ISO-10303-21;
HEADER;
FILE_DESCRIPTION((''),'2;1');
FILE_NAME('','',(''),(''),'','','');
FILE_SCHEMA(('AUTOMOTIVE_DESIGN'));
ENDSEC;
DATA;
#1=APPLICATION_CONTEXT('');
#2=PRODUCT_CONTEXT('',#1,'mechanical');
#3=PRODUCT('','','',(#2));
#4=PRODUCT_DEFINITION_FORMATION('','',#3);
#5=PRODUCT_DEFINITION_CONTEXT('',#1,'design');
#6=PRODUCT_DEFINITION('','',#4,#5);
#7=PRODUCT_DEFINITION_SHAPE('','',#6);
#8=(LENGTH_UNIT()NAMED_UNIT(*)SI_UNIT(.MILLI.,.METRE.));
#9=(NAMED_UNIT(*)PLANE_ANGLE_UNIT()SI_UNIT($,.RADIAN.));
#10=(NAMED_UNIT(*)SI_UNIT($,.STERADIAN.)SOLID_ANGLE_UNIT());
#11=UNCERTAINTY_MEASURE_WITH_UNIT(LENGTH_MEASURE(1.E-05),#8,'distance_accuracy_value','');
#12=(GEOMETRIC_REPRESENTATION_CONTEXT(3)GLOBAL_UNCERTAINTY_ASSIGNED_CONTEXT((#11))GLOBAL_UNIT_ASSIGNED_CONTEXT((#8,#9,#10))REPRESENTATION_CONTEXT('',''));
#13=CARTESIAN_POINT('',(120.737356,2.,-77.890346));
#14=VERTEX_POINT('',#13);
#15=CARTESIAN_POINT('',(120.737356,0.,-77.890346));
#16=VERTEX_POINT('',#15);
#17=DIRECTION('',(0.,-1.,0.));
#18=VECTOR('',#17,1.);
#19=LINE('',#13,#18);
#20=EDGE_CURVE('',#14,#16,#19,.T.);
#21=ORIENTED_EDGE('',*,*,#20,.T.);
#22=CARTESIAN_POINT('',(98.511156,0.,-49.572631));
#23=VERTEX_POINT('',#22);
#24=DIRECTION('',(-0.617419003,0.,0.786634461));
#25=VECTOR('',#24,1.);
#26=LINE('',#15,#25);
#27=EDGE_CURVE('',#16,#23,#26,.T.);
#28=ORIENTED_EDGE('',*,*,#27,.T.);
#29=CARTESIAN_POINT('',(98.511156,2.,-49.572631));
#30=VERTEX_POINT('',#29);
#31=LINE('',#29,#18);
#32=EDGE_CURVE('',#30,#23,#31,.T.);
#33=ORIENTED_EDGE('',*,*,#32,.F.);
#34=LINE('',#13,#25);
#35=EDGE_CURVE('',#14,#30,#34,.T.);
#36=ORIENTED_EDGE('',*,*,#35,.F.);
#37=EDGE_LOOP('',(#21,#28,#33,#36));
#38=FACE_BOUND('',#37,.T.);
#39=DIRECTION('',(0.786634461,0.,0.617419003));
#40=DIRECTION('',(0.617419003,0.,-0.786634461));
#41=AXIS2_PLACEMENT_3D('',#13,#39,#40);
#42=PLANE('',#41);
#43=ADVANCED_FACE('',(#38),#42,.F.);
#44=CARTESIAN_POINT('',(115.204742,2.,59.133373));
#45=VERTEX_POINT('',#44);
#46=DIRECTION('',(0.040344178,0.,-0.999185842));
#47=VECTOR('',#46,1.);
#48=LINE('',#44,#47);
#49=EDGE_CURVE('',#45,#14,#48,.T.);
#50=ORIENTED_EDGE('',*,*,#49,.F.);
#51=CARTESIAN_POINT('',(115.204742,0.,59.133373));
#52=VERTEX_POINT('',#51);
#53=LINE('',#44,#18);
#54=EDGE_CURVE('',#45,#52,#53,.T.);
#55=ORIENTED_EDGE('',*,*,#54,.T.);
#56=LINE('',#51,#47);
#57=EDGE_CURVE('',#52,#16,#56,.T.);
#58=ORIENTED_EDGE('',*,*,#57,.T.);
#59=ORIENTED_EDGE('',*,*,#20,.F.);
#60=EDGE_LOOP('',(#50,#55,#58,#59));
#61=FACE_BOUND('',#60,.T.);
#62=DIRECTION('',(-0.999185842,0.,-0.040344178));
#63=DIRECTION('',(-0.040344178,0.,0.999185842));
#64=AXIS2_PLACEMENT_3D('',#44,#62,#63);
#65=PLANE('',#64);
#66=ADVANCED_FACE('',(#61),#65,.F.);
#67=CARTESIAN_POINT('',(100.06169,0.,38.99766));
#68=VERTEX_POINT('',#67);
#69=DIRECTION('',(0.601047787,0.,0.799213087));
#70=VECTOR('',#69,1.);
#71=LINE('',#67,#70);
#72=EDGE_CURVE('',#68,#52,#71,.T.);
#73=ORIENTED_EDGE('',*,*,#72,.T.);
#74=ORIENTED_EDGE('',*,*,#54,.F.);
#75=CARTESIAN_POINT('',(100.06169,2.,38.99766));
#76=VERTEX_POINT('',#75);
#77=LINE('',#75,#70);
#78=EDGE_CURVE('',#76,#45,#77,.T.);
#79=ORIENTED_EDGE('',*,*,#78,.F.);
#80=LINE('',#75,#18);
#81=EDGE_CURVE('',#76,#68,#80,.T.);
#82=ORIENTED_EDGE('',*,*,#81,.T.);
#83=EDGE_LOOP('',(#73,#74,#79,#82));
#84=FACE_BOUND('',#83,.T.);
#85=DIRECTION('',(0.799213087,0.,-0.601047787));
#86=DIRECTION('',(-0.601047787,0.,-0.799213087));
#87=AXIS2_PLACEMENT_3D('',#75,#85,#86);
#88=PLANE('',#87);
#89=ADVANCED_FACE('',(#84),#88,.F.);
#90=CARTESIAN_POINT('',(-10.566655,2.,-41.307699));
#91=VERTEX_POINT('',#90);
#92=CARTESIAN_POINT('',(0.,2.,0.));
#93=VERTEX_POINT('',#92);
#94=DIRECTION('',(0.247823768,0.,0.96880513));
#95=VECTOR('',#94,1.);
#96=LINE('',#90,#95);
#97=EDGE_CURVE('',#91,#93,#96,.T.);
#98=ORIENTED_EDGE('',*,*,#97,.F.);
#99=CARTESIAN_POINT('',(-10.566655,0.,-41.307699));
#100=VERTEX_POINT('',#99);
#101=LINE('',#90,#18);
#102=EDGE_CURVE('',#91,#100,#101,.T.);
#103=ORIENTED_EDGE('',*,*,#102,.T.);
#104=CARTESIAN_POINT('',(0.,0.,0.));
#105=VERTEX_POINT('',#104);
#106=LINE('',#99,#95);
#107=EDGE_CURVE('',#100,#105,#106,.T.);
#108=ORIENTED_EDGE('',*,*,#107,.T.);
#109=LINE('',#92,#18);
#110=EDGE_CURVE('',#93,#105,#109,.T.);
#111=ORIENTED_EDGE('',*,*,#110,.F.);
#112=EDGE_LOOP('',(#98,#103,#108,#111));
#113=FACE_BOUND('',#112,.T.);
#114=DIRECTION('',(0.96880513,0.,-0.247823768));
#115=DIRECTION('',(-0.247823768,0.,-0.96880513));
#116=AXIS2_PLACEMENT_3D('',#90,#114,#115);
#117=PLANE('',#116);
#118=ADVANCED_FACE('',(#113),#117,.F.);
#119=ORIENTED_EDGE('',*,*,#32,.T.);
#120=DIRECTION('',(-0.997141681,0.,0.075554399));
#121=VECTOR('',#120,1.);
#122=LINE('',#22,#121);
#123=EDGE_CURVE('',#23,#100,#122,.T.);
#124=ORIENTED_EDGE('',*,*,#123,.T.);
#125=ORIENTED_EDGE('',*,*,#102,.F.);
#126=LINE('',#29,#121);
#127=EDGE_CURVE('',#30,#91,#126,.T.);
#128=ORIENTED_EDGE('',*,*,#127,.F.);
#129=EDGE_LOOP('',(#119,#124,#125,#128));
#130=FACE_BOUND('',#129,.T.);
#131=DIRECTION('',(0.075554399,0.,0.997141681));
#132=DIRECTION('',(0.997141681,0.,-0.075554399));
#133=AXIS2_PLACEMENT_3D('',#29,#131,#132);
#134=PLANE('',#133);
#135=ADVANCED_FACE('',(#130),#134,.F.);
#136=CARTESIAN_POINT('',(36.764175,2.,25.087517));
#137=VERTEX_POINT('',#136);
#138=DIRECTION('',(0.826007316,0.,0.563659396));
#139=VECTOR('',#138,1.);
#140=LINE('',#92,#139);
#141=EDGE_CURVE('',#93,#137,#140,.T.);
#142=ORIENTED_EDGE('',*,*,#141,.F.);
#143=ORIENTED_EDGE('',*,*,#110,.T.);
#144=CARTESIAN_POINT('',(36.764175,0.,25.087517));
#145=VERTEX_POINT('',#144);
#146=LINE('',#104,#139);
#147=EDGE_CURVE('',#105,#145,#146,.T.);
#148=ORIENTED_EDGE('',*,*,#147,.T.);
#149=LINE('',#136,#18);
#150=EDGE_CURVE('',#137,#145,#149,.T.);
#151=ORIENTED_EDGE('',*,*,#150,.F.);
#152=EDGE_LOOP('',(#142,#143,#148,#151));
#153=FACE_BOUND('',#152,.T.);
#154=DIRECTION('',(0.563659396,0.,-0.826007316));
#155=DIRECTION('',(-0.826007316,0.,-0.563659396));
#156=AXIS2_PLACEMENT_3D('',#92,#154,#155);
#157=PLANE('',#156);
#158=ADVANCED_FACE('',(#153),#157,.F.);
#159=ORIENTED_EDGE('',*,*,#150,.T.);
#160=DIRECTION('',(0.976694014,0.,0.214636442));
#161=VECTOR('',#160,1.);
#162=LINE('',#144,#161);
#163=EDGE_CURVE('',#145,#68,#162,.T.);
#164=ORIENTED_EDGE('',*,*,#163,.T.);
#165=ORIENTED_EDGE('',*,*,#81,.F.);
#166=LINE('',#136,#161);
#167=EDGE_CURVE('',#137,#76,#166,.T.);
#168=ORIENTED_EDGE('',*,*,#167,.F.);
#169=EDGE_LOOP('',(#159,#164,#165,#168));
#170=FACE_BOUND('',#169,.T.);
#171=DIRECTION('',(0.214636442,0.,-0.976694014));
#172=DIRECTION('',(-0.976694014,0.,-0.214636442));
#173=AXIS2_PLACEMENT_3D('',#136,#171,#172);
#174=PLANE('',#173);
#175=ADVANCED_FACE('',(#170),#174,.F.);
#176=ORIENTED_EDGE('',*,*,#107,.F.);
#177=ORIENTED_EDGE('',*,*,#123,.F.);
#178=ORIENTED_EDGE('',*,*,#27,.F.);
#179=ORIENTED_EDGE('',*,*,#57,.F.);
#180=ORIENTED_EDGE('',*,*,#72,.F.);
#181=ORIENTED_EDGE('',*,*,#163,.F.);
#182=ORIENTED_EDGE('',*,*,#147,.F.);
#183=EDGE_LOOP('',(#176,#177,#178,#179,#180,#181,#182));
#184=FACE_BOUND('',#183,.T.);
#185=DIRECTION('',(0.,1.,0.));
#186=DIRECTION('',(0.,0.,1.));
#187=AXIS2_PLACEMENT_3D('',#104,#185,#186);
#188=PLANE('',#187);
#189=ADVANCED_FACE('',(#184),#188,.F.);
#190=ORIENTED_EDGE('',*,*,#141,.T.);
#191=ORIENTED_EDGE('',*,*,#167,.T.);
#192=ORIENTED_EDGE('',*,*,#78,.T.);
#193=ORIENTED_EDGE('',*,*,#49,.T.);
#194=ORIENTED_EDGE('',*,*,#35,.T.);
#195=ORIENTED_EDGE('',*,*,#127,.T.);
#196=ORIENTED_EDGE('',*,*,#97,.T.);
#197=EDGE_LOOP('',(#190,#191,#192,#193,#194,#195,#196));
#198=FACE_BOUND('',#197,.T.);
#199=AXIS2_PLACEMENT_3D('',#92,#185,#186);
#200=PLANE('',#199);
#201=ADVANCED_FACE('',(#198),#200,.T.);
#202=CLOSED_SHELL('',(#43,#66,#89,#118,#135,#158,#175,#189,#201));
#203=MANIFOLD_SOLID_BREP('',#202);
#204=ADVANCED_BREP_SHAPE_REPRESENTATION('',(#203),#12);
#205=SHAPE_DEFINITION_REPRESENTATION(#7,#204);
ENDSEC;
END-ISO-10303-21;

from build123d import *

# Parameters (mm, degrees)
BOSS_EXTRU_1_DEPTH = 2


with BuildPart() as part:
    # Esquisse2 → Boss.-Extru.1 (new body)
    with BuildSketch(Plane(origin=(0, 0, 0), x_dir=(1, 0, 0), z_dir=(0, 1, 0))):
        Polygon((120.737356273, 77.890345785), (98.511155938, 49.572631154), (-10.566655032, 41.307698939), (0, 0), (36.764174615, -25.087516833), (100.061690001, -38.997659914), (115.20474249, -59.133372902), align=None)
    extrude(amount=BOSS_EXTRU_1_DEPTH)


solid = part.part
